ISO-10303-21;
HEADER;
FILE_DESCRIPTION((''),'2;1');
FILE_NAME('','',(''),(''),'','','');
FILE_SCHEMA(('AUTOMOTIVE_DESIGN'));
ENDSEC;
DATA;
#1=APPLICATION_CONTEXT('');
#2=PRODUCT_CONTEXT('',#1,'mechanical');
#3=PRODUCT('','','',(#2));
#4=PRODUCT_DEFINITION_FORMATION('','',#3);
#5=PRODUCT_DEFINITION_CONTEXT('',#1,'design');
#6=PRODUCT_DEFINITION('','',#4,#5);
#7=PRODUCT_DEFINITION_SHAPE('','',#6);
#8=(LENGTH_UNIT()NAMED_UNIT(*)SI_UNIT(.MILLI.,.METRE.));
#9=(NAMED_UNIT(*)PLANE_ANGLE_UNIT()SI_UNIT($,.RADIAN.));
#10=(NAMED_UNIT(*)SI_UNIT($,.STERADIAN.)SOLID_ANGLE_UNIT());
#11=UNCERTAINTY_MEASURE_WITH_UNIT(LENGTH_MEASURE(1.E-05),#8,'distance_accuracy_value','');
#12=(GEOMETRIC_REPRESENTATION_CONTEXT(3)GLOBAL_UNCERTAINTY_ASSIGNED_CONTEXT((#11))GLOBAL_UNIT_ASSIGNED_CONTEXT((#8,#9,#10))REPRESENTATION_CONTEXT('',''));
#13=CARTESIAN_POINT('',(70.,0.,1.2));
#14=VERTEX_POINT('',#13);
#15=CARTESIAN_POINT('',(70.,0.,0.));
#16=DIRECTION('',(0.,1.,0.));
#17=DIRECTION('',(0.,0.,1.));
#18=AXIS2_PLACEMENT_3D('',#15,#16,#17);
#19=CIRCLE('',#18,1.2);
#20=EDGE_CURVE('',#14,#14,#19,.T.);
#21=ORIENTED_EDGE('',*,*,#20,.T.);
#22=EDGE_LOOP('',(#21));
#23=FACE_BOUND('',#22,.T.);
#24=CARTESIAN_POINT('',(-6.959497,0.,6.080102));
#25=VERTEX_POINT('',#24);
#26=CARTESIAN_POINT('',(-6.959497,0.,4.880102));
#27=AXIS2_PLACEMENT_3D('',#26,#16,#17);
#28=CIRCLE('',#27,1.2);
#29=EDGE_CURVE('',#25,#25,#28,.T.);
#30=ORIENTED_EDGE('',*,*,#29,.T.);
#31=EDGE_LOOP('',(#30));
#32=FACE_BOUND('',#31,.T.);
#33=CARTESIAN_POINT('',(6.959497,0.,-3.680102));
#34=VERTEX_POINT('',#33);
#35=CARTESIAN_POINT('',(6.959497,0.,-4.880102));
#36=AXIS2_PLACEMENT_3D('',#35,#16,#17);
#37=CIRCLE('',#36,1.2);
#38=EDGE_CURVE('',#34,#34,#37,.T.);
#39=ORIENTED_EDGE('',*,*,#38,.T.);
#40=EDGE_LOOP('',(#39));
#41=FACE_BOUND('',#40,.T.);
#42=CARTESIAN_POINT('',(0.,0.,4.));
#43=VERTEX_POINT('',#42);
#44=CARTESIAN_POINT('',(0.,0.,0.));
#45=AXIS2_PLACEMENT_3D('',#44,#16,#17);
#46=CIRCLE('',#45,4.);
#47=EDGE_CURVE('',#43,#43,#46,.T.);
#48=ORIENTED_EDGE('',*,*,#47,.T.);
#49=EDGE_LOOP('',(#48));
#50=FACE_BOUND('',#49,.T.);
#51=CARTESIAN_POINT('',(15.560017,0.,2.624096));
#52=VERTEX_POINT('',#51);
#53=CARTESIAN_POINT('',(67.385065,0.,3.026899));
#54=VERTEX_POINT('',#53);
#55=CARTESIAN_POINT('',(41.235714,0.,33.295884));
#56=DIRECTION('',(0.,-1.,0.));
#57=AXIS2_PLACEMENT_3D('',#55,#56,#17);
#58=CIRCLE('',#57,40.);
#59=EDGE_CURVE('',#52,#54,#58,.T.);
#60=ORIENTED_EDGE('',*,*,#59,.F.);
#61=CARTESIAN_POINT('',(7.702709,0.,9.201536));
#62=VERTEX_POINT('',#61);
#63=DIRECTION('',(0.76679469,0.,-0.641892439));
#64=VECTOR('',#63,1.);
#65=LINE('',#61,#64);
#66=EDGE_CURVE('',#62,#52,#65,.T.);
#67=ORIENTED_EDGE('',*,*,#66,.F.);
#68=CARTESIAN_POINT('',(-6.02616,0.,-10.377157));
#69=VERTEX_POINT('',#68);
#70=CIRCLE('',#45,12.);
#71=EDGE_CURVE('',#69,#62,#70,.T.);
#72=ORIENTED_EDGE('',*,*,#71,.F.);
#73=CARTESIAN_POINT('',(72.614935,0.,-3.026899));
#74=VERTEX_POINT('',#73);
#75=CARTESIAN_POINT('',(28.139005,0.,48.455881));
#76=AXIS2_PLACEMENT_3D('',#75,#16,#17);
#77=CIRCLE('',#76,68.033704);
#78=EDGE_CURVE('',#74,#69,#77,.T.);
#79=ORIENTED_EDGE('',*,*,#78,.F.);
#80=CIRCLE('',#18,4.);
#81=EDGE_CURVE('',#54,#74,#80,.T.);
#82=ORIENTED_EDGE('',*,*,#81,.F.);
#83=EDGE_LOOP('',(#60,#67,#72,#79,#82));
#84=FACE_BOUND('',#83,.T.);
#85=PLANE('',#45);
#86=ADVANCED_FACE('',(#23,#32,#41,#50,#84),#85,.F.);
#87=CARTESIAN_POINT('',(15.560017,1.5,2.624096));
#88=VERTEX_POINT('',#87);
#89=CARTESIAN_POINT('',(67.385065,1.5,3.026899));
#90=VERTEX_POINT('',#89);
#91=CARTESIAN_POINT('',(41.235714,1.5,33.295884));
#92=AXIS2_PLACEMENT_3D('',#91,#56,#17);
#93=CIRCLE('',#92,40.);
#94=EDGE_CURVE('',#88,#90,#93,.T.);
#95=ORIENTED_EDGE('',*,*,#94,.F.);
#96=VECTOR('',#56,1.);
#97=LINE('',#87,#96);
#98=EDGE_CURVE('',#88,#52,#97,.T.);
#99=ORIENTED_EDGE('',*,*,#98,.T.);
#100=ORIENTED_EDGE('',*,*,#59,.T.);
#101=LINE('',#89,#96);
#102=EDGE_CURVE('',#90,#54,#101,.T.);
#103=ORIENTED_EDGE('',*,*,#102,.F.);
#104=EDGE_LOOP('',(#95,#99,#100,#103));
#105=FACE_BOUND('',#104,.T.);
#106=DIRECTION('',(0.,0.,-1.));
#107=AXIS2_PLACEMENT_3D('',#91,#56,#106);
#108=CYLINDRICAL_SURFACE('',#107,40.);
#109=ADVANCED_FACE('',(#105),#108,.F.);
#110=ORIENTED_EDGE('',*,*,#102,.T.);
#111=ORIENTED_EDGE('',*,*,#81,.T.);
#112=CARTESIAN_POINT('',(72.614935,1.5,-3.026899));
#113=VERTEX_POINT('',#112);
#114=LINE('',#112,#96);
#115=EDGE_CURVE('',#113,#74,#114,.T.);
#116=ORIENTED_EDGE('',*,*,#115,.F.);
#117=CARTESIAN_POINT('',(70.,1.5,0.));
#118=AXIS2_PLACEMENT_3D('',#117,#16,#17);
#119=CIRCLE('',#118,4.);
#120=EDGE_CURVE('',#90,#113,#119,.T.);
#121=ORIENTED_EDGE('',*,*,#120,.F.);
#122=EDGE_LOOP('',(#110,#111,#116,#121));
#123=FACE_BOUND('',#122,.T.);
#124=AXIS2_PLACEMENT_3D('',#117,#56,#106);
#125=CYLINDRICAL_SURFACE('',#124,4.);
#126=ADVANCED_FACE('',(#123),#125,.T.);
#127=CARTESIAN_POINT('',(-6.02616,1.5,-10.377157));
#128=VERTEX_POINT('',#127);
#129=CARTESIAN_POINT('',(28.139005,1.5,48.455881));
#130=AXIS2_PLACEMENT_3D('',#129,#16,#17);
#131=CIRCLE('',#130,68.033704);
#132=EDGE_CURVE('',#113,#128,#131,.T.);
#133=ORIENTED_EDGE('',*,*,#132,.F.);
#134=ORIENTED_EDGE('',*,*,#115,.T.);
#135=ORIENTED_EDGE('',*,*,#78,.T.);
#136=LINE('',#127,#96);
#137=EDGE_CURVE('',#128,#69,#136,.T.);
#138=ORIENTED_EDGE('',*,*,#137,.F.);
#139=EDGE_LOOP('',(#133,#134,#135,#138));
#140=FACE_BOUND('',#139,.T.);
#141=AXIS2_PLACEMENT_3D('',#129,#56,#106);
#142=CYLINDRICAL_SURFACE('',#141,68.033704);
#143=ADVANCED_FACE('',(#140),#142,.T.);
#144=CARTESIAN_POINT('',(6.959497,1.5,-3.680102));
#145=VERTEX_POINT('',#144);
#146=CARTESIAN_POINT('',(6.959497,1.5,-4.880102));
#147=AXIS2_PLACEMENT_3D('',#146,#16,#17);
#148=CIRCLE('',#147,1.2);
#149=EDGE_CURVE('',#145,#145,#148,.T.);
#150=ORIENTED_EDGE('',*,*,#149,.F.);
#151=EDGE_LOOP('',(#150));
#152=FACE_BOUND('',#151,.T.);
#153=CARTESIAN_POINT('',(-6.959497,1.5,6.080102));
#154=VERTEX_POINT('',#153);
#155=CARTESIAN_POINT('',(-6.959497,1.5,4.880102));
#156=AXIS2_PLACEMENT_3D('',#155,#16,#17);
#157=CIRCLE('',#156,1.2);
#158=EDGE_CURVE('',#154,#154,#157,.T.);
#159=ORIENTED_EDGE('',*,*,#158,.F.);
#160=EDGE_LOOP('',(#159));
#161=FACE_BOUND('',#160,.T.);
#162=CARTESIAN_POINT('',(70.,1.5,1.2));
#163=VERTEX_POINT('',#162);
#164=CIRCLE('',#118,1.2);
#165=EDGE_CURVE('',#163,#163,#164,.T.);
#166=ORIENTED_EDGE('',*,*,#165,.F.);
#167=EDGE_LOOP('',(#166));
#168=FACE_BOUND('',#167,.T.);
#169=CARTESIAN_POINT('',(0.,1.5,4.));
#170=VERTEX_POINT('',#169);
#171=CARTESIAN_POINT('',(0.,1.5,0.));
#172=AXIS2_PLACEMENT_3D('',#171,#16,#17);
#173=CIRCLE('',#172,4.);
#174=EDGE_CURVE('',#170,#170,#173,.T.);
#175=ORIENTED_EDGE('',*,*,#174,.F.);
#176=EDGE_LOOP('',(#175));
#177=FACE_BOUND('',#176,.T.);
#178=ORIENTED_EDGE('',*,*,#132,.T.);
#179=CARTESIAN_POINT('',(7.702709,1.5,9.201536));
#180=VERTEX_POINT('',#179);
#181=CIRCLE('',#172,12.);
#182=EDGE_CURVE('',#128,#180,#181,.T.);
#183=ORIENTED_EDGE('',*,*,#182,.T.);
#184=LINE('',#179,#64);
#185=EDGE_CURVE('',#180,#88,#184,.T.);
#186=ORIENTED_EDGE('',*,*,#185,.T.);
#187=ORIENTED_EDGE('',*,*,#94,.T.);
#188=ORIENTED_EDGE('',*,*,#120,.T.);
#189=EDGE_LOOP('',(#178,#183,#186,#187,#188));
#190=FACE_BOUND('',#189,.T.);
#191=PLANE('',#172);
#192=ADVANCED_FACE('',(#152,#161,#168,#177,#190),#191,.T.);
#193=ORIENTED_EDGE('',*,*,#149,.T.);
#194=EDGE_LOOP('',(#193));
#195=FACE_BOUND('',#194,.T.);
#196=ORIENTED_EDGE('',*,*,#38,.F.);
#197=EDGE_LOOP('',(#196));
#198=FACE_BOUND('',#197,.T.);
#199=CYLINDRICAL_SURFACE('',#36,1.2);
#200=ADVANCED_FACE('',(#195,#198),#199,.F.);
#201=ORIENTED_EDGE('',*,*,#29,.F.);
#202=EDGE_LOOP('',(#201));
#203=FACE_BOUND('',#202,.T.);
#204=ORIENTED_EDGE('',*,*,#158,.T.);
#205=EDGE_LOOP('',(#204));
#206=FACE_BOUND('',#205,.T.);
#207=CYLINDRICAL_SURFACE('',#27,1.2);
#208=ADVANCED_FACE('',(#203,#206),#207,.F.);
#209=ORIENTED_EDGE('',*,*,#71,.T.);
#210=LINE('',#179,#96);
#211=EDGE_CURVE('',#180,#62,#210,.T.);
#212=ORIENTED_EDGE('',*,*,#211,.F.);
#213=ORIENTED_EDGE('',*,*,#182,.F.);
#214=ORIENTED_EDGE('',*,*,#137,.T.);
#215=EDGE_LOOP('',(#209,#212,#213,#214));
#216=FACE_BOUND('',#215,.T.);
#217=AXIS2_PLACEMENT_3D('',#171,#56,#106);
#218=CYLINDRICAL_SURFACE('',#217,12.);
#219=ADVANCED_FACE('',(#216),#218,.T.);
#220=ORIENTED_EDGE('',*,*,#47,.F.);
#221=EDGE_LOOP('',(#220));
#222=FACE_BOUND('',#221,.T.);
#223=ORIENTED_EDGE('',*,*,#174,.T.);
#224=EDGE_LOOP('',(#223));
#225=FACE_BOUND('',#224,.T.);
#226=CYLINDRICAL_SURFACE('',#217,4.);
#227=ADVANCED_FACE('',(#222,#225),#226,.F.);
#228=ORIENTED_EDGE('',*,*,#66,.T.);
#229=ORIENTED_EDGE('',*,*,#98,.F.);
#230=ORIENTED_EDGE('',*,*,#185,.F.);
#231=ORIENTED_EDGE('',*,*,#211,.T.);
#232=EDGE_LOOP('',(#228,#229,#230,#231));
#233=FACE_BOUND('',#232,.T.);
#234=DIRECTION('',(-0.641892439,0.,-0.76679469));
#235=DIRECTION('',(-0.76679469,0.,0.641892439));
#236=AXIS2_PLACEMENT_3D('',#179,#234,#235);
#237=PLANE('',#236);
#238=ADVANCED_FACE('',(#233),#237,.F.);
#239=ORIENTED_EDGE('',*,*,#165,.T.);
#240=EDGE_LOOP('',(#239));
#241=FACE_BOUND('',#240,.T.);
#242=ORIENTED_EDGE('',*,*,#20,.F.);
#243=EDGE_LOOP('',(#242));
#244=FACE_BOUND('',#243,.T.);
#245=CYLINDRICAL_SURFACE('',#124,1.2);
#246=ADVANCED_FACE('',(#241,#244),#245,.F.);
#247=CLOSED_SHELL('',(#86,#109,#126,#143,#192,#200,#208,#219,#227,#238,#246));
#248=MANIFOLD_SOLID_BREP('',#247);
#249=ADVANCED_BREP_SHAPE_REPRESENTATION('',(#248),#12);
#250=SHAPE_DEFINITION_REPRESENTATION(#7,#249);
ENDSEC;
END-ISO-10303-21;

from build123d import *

# Parameters (mm, degrees)
ESQUISSE1_R             = 4
ESQUISSE1_R_2           = 1.2
BOSS_EXTRU_1_DEPTH      = 1.5
ESQUISSE2_R             = 1.2
ENL_V_MAT_EXTRU_1_DEPTH = 77.560702478


with BuildPart() as part:
    # Esquisse1 → Boss.-Extru.1 (new body)
    with BuildSketch(Plane(origin=(0, 0, 0), x_dir=(1, 0, 0), z_dir=(0, 1, 0))):
        with BuildLine():
            Line((7.702709274, -9.201536276), (15.560016707, -2.624096052))
            ThreePointArc((15.560016707, -2.624096052), (41.546598932, 6.702908226), (67.385064935, -3.026898513))
            ThreePointArc((67.385064935, -3.026898513), (73.026898513, -2.614935065), (72.614935065, 3.026898513))
            ThreePointArc((72.614935065, 3.026898513), (34.4702408, 19.282589401), (-6.02615989, 10.377157462))
            ThreePointArc((-6.02615989, 10.377157462), (-9.825172598, -6.889556112), (7.702709274, -9.201536276))
        make_face()
        with Locations(Location((0, 0, 0), (0, 0, 270))):
            Circle(ESQUISSE1_R, mode=Mode.SUBTRACT)
        with Locations(Location((70, 0, 0), (0, 0, 270))):
            Circle(ESQUISSE1_R_2, mode=Mode.SUBTRACT)
    extrude(amount=BOSS_EXTRU_1_DEPTH)

    # Esquisse2 → Enlèv. mat.-Extru.1 (cut, through all)
    with BuildSketch(Plane(origin=(0, 1.5, 0), x_dir=(1, 0, 0), z_dir=(0, 1, 0))):
        with Locations(Location((-6.959497257, -4.880102246, 0), (0, 0, 270))):
            Circle(ESQUISSE2_R)
        with Locations(Location((6.959497257, 4.880102246, 0), (0, 0, 270))):
            Circle(ESQUISSE2_R)
    extrude(amount=-ENL_V_MAT_EXTRU_1_DEPTH, mode=Mode.SUBTRACT)


solid = part.part
